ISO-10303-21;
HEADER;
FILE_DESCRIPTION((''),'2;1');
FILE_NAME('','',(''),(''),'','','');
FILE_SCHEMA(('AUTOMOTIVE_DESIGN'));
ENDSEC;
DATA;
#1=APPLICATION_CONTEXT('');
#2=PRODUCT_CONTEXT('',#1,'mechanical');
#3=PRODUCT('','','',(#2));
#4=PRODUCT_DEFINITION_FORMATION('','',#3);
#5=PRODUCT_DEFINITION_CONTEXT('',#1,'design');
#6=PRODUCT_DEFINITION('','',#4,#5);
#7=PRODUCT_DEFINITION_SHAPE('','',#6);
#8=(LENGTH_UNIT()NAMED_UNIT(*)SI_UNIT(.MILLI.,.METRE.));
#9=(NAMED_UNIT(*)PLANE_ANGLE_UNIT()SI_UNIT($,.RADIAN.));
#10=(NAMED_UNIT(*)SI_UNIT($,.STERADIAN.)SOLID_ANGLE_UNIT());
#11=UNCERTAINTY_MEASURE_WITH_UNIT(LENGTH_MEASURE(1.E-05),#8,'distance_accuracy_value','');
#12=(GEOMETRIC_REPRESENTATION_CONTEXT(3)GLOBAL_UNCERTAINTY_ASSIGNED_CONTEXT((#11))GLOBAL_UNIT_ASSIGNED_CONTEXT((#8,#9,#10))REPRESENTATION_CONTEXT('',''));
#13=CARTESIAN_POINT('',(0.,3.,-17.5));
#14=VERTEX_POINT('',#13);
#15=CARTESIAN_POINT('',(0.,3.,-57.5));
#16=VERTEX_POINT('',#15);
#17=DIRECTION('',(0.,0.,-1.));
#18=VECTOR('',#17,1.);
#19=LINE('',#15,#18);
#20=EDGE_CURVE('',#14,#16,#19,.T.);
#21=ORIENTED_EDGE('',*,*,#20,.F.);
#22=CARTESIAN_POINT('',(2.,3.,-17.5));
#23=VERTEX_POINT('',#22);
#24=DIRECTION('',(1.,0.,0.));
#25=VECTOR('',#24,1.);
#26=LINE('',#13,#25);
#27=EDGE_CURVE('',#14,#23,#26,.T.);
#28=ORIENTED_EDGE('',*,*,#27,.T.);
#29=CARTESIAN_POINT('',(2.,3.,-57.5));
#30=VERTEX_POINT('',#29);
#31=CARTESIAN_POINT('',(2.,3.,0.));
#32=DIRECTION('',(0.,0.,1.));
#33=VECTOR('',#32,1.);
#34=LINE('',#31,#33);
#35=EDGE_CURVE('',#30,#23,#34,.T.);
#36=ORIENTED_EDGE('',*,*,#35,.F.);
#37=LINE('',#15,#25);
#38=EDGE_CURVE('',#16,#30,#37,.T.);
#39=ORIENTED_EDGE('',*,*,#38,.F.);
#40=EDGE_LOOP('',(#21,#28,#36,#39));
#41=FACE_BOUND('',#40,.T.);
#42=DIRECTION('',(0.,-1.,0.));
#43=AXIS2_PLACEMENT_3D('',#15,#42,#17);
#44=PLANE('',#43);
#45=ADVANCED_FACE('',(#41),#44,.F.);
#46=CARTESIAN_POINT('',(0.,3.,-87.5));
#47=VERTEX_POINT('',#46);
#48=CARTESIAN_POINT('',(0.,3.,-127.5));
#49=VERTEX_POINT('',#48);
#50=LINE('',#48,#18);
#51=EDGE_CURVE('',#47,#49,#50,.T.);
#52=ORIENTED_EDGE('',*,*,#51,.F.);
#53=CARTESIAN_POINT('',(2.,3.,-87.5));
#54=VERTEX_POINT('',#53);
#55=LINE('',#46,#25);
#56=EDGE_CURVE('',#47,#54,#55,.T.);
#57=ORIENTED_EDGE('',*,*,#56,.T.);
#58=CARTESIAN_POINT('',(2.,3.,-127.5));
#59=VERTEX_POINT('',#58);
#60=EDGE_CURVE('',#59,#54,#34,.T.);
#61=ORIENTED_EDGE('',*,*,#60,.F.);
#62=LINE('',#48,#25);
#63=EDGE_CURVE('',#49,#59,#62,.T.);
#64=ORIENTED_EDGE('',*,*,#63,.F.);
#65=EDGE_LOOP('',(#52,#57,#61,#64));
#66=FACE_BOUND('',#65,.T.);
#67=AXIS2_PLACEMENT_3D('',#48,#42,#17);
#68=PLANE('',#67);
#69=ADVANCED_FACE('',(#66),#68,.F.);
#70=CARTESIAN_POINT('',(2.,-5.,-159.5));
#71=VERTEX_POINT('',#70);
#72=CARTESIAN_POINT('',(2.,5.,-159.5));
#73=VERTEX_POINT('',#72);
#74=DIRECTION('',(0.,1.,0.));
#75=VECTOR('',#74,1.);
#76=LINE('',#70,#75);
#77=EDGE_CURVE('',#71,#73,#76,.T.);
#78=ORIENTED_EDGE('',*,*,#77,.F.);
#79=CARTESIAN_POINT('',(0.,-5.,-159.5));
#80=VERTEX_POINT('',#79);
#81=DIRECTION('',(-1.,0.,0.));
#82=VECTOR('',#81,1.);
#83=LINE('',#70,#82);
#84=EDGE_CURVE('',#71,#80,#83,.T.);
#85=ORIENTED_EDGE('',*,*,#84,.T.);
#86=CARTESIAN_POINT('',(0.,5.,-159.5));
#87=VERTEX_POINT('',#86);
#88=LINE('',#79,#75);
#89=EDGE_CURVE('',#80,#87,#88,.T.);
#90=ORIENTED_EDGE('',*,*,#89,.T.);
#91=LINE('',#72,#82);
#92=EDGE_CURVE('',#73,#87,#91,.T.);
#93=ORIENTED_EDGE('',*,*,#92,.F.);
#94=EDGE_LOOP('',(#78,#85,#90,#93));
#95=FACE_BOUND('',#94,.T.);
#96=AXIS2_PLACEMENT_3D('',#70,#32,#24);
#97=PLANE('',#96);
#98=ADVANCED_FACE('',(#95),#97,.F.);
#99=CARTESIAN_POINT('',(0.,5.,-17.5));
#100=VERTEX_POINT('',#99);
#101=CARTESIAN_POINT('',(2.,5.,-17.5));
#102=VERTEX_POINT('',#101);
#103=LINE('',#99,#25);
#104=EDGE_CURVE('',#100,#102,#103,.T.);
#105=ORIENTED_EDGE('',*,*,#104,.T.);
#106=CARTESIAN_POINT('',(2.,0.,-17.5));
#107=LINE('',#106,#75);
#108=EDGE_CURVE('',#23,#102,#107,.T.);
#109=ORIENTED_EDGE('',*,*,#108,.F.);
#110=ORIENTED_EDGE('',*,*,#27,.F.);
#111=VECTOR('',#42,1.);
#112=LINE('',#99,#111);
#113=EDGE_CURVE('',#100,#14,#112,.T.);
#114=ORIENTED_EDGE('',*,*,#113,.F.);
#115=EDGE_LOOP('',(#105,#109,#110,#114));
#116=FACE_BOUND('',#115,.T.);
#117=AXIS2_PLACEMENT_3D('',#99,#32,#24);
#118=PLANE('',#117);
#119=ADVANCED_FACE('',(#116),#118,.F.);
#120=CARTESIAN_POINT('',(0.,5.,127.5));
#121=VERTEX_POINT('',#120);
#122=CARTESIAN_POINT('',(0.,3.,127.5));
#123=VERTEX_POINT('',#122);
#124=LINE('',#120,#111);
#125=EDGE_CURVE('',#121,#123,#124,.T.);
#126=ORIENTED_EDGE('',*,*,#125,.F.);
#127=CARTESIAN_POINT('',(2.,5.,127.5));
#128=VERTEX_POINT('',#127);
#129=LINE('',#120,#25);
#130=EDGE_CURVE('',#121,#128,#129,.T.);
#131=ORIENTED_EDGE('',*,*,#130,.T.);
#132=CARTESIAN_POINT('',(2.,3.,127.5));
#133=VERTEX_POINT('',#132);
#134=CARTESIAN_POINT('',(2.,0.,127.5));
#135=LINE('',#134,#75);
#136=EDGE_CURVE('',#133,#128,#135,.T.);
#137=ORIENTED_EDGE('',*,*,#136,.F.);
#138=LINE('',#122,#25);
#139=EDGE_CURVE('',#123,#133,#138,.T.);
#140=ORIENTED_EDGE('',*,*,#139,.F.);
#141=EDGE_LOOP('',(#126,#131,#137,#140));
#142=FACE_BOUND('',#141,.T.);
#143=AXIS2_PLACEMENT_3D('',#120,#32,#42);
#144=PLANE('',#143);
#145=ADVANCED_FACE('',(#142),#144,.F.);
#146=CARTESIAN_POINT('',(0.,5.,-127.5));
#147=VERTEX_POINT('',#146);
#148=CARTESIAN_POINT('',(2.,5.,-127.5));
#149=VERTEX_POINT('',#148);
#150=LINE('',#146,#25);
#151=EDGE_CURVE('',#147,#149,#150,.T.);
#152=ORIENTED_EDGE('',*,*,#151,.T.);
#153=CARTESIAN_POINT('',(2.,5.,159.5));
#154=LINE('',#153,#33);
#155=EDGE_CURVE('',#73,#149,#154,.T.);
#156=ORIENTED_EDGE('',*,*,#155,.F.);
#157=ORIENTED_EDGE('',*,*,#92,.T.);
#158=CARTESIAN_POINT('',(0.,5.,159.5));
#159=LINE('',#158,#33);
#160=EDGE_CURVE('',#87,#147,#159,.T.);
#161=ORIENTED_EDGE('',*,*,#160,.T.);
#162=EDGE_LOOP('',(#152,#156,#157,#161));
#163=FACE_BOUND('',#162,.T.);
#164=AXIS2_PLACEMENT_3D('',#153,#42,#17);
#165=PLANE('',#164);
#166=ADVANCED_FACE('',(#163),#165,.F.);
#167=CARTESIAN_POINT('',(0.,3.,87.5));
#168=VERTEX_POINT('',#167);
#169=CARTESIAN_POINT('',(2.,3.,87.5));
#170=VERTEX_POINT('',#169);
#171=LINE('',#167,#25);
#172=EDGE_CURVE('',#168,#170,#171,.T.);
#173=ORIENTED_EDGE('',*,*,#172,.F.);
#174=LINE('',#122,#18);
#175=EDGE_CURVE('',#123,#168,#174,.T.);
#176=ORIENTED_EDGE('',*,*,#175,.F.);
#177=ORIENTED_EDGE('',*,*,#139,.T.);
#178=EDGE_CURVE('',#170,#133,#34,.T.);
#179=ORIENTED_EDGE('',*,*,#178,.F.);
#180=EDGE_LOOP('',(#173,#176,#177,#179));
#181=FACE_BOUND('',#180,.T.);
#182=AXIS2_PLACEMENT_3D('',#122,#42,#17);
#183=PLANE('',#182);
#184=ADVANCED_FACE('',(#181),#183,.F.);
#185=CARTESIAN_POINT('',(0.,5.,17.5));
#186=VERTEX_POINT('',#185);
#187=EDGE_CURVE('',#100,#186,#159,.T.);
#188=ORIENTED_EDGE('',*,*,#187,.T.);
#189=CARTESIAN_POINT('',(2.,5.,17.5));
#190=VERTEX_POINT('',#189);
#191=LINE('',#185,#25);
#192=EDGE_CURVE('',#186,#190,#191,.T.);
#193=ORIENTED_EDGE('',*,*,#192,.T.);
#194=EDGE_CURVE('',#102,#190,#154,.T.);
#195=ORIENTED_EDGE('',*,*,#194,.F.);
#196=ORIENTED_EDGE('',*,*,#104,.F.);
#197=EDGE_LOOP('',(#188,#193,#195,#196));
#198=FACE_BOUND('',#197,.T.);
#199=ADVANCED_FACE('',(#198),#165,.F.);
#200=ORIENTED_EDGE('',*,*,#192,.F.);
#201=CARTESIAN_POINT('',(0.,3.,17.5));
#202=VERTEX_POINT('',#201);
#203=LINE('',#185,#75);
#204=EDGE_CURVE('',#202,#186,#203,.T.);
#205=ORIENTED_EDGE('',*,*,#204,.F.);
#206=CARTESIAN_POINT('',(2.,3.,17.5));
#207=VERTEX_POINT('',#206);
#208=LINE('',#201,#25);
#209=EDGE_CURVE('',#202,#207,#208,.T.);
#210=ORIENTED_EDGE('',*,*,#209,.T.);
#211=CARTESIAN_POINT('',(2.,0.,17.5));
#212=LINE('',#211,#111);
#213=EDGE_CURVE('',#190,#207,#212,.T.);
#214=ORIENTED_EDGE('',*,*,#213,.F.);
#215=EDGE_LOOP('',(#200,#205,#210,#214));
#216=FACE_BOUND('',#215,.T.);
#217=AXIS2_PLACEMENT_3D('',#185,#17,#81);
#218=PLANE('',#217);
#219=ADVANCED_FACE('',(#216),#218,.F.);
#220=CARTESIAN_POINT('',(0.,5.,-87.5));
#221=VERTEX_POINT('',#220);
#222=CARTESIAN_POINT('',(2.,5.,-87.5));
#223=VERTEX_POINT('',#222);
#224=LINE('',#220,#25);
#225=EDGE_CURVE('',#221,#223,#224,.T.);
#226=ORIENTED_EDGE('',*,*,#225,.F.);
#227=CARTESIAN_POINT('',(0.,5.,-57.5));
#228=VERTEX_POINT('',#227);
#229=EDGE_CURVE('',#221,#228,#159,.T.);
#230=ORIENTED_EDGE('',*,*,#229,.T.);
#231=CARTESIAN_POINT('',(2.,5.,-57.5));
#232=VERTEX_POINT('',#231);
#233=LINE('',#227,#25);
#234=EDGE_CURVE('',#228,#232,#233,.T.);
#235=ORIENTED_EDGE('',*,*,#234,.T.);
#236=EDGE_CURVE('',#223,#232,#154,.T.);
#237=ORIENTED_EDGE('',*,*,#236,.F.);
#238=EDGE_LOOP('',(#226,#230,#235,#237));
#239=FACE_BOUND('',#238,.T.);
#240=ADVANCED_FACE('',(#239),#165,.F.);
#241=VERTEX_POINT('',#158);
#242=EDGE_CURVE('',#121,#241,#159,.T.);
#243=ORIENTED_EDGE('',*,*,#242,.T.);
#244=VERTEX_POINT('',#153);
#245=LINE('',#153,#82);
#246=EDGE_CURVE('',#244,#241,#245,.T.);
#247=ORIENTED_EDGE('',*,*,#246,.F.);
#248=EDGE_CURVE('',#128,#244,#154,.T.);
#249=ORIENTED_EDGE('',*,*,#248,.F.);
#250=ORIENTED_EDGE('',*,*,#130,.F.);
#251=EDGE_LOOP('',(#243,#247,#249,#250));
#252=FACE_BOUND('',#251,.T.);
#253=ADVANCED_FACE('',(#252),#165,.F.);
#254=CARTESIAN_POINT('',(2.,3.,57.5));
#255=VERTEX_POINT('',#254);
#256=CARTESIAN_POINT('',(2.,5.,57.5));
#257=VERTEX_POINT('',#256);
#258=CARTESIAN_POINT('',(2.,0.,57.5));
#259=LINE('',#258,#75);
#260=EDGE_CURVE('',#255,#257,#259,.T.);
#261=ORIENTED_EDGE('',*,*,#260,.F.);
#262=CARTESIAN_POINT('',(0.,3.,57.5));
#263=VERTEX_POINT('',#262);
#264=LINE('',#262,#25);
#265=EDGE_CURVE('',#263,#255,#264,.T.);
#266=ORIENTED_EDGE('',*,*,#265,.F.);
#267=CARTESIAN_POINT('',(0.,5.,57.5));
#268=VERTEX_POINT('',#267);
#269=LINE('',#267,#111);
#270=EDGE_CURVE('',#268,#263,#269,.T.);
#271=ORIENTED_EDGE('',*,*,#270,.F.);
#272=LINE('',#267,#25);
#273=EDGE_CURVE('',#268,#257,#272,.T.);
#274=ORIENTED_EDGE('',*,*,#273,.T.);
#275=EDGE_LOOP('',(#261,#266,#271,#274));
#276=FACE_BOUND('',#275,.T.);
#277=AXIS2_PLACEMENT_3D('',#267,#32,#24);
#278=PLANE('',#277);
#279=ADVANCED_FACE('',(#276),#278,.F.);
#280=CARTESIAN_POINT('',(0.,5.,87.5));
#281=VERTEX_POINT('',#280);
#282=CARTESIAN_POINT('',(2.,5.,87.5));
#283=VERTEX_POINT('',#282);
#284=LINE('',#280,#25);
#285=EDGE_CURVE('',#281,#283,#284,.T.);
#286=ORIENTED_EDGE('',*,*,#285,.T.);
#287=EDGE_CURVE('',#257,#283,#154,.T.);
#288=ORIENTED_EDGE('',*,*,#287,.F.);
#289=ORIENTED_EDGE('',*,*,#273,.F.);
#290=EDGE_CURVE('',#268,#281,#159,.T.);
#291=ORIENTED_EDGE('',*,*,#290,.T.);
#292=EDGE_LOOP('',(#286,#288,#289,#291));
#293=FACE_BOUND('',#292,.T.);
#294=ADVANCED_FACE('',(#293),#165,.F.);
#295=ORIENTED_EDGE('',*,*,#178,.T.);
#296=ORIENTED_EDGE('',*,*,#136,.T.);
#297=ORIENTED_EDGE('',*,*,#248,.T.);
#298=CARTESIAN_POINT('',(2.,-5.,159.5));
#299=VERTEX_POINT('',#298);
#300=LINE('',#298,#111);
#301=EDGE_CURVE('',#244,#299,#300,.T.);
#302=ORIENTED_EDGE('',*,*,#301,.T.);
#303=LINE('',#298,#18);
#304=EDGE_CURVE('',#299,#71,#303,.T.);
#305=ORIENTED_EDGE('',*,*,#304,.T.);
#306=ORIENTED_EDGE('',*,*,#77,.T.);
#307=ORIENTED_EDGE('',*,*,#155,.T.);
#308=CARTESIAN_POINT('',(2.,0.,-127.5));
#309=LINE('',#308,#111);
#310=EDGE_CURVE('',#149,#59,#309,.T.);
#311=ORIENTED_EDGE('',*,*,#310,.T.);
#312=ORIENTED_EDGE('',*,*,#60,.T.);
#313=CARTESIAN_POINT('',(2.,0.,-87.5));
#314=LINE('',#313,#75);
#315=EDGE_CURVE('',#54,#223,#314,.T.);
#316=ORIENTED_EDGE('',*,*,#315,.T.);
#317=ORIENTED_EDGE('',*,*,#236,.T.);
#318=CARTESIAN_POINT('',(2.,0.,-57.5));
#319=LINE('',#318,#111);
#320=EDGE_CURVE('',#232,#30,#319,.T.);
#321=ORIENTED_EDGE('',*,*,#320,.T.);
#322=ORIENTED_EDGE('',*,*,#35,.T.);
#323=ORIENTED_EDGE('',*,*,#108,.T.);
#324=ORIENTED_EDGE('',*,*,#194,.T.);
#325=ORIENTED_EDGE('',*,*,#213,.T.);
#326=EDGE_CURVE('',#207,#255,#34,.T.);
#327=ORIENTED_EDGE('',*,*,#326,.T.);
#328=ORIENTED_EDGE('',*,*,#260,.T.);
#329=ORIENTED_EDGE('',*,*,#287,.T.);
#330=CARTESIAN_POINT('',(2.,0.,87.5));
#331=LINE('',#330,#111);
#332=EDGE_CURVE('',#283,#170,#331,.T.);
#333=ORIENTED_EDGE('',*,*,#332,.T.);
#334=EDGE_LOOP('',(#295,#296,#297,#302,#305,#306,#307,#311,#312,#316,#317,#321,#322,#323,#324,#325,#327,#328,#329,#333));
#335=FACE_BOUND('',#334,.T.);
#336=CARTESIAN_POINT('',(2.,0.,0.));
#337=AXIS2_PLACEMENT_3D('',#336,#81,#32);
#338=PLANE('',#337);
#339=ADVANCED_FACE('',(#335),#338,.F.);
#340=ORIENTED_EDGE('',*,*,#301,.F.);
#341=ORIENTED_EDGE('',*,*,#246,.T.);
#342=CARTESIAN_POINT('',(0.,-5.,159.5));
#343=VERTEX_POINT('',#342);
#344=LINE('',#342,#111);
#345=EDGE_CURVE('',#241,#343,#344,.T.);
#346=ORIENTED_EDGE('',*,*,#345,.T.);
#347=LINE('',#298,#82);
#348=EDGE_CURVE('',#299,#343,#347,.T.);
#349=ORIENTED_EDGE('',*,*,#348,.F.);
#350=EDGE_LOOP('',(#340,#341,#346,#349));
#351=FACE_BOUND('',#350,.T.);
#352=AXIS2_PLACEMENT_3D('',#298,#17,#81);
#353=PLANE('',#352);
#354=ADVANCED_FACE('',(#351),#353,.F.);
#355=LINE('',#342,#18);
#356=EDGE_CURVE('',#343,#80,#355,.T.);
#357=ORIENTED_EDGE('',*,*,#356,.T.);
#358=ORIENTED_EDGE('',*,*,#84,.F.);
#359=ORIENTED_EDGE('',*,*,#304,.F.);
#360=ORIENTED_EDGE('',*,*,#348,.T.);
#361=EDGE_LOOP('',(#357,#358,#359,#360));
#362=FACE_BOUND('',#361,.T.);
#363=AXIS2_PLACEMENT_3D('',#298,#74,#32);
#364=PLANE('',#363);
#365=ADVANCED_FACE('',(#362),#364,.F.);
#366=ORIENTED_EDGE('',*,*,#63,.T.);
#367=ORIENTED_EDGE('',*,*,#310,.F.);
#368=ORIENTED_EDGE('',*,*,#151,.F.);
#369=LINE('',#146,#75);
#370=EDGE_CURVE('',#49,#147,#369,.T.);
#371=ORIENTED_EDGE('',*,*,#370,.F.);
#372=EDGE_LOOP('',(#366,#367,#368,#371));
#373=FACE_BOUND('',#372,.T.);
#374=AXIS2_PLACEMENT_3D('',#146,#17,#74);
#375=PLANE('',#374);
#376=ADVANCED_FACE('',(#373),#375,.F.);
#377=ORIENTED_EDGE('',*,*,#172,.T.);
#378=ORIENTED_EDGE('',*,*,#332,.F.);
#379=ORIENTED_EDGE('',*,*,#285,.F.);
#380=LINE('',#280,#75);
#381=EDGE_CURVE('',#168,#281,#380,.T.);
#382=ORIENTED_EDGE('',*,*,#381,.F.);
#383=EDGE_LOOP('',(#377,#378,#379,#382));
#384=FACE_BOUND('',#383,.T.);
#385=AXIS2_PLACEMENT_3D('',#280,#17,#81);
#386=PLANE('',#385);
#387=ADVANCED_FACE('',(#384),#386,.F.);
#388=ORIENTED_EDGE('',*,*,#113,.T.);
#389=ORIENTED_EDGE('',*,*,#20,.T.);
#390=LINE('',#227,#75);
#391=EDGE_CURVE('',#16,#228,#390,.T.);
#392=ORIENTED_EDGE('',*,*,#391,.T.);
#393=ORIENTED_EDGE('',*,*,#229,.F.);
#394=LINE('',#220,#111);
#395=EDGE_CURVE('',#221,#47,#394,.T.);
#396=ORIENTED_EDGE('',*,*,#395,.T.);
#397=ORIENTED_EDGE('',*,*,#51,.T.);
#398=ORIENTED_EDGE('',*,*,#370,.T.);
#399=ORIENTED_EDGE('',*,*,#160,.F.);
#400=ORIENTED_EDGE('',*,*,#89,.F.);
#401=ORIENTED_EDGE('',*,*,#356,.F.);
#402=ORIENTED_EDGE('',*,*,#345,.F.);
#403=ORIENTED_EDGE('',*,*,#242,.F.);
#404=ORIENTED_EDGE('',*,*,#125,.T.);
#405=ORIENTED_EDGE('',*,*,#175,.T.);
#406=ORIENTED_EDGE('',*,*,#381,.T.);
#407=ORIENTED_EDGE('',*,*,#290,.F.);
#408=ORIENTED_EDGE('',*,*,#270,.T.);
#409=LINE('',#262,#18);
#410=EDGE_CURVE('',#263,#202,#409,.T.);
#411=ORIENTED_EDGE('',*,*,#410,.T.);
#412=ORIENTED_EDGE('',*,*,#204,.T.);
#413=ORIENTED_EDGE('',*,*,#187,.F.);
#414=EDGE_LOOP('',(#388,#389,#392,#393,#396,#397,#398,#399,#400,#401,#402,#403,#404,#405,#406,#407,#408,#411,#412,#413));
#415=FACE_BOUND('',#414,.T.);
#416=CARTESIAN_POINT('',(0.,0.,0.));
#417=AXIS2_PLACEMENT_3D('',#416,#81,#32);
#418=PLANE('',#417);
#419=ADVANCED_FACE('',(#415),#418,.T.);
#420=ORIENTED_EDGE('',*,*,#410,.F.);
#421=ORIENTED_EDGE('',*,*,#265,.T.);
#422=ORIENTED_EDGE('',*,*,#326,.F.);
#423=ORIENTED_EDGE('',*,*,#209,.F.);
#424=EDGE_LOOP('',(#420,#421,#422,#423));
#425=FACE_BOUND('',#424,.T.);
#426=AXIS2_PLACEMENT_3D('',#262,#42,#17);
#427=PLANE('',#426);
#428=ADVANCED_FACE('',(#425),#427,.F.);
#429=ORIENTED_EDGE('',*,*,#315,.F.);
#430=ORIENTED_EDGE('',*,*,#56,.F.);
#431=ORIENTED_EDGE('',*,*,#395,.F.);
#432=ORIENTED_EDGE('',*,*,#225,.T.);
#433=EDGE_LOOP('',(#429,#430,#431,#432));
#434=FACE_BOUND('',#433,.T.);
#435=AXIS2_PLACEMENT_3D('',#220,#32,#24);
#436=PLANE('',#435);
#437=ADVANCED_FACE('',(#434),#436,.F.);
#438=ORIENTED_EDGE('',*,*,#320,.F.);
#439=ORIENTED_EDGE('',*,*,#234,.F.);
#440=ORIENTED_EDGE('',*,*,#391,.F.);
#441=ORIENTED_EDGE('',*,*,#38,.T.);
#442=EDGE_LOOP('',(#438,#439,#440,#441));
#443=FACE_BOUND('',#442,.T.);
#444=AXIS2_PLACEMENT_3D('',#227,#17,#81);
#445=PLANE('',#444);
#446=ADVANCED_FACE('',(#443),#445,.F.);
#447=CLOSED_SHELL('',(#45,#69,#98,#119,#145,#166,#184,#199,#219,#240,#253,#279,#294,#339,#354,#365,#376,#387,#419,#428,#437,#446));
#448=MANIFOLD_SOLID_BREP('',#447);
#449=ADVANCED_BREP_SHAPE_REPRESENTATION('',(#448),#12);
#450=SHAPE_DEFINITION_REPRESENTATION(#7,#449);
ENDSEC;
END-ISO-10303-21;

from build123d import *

# Parameters (mm, degrees)
SKETCH1_W               = 319
SKETCH1_H               = 10
BOSS_EXTRUDE1_DEPTH     = 2
CUT_EXTRUDE1_DEPTH      = 160.590883198
CUT_EXTRUDE1_DEPTH_BACK = 160.590883198
SKETCH2_W               = 40
SKETCH2_H               = 2


with BuildPart() as part:
    # Sketch1 → Boss-Extrude1 (new body)
    with BuildSketch(Plane(origin=(0, 0, 0), x_dir=(0, 0, -1), z_dir=(1, 0, 0))):
        Rectangle(SKETCH1_W, SKETCH1_H)
    extrude(amount=BOSS_EXTRUDE1_DEPTH)

    # Sketch2 → Cut-Extrude1 (cut, two sides: drawn at the far end of the back side and taken through both)
    with BuildSketch(Plane(origin=(2, 0, 0), x_dir=(0, 0, -1), z_dir=(1, 0, 0)).offset(-CUT_EXTRUDE1_DEPTH_BACK)):
        with Locations((-107.5, 4)):
            Rectangle(SKETCH2_W, SKETCH2_H)
        with Locations((-37.5, 4)):
            Rectangle(SKETCH2_W, SKETCH2_H)
        with Locations((37.5, 4)):
            Rectangle(SKETCH2_W, SKETCH2_H)
        with Locations((107.5, 4)):
            Rectangle(SKETCH2_W, SKETCH2_H)
    extrude(amount=CUT_EXTRUDE1_DEPTH + CUT_EXTRUDE1_DEPTH_BACK, mode=Mode.SUBTRACT)


solid = part.part
